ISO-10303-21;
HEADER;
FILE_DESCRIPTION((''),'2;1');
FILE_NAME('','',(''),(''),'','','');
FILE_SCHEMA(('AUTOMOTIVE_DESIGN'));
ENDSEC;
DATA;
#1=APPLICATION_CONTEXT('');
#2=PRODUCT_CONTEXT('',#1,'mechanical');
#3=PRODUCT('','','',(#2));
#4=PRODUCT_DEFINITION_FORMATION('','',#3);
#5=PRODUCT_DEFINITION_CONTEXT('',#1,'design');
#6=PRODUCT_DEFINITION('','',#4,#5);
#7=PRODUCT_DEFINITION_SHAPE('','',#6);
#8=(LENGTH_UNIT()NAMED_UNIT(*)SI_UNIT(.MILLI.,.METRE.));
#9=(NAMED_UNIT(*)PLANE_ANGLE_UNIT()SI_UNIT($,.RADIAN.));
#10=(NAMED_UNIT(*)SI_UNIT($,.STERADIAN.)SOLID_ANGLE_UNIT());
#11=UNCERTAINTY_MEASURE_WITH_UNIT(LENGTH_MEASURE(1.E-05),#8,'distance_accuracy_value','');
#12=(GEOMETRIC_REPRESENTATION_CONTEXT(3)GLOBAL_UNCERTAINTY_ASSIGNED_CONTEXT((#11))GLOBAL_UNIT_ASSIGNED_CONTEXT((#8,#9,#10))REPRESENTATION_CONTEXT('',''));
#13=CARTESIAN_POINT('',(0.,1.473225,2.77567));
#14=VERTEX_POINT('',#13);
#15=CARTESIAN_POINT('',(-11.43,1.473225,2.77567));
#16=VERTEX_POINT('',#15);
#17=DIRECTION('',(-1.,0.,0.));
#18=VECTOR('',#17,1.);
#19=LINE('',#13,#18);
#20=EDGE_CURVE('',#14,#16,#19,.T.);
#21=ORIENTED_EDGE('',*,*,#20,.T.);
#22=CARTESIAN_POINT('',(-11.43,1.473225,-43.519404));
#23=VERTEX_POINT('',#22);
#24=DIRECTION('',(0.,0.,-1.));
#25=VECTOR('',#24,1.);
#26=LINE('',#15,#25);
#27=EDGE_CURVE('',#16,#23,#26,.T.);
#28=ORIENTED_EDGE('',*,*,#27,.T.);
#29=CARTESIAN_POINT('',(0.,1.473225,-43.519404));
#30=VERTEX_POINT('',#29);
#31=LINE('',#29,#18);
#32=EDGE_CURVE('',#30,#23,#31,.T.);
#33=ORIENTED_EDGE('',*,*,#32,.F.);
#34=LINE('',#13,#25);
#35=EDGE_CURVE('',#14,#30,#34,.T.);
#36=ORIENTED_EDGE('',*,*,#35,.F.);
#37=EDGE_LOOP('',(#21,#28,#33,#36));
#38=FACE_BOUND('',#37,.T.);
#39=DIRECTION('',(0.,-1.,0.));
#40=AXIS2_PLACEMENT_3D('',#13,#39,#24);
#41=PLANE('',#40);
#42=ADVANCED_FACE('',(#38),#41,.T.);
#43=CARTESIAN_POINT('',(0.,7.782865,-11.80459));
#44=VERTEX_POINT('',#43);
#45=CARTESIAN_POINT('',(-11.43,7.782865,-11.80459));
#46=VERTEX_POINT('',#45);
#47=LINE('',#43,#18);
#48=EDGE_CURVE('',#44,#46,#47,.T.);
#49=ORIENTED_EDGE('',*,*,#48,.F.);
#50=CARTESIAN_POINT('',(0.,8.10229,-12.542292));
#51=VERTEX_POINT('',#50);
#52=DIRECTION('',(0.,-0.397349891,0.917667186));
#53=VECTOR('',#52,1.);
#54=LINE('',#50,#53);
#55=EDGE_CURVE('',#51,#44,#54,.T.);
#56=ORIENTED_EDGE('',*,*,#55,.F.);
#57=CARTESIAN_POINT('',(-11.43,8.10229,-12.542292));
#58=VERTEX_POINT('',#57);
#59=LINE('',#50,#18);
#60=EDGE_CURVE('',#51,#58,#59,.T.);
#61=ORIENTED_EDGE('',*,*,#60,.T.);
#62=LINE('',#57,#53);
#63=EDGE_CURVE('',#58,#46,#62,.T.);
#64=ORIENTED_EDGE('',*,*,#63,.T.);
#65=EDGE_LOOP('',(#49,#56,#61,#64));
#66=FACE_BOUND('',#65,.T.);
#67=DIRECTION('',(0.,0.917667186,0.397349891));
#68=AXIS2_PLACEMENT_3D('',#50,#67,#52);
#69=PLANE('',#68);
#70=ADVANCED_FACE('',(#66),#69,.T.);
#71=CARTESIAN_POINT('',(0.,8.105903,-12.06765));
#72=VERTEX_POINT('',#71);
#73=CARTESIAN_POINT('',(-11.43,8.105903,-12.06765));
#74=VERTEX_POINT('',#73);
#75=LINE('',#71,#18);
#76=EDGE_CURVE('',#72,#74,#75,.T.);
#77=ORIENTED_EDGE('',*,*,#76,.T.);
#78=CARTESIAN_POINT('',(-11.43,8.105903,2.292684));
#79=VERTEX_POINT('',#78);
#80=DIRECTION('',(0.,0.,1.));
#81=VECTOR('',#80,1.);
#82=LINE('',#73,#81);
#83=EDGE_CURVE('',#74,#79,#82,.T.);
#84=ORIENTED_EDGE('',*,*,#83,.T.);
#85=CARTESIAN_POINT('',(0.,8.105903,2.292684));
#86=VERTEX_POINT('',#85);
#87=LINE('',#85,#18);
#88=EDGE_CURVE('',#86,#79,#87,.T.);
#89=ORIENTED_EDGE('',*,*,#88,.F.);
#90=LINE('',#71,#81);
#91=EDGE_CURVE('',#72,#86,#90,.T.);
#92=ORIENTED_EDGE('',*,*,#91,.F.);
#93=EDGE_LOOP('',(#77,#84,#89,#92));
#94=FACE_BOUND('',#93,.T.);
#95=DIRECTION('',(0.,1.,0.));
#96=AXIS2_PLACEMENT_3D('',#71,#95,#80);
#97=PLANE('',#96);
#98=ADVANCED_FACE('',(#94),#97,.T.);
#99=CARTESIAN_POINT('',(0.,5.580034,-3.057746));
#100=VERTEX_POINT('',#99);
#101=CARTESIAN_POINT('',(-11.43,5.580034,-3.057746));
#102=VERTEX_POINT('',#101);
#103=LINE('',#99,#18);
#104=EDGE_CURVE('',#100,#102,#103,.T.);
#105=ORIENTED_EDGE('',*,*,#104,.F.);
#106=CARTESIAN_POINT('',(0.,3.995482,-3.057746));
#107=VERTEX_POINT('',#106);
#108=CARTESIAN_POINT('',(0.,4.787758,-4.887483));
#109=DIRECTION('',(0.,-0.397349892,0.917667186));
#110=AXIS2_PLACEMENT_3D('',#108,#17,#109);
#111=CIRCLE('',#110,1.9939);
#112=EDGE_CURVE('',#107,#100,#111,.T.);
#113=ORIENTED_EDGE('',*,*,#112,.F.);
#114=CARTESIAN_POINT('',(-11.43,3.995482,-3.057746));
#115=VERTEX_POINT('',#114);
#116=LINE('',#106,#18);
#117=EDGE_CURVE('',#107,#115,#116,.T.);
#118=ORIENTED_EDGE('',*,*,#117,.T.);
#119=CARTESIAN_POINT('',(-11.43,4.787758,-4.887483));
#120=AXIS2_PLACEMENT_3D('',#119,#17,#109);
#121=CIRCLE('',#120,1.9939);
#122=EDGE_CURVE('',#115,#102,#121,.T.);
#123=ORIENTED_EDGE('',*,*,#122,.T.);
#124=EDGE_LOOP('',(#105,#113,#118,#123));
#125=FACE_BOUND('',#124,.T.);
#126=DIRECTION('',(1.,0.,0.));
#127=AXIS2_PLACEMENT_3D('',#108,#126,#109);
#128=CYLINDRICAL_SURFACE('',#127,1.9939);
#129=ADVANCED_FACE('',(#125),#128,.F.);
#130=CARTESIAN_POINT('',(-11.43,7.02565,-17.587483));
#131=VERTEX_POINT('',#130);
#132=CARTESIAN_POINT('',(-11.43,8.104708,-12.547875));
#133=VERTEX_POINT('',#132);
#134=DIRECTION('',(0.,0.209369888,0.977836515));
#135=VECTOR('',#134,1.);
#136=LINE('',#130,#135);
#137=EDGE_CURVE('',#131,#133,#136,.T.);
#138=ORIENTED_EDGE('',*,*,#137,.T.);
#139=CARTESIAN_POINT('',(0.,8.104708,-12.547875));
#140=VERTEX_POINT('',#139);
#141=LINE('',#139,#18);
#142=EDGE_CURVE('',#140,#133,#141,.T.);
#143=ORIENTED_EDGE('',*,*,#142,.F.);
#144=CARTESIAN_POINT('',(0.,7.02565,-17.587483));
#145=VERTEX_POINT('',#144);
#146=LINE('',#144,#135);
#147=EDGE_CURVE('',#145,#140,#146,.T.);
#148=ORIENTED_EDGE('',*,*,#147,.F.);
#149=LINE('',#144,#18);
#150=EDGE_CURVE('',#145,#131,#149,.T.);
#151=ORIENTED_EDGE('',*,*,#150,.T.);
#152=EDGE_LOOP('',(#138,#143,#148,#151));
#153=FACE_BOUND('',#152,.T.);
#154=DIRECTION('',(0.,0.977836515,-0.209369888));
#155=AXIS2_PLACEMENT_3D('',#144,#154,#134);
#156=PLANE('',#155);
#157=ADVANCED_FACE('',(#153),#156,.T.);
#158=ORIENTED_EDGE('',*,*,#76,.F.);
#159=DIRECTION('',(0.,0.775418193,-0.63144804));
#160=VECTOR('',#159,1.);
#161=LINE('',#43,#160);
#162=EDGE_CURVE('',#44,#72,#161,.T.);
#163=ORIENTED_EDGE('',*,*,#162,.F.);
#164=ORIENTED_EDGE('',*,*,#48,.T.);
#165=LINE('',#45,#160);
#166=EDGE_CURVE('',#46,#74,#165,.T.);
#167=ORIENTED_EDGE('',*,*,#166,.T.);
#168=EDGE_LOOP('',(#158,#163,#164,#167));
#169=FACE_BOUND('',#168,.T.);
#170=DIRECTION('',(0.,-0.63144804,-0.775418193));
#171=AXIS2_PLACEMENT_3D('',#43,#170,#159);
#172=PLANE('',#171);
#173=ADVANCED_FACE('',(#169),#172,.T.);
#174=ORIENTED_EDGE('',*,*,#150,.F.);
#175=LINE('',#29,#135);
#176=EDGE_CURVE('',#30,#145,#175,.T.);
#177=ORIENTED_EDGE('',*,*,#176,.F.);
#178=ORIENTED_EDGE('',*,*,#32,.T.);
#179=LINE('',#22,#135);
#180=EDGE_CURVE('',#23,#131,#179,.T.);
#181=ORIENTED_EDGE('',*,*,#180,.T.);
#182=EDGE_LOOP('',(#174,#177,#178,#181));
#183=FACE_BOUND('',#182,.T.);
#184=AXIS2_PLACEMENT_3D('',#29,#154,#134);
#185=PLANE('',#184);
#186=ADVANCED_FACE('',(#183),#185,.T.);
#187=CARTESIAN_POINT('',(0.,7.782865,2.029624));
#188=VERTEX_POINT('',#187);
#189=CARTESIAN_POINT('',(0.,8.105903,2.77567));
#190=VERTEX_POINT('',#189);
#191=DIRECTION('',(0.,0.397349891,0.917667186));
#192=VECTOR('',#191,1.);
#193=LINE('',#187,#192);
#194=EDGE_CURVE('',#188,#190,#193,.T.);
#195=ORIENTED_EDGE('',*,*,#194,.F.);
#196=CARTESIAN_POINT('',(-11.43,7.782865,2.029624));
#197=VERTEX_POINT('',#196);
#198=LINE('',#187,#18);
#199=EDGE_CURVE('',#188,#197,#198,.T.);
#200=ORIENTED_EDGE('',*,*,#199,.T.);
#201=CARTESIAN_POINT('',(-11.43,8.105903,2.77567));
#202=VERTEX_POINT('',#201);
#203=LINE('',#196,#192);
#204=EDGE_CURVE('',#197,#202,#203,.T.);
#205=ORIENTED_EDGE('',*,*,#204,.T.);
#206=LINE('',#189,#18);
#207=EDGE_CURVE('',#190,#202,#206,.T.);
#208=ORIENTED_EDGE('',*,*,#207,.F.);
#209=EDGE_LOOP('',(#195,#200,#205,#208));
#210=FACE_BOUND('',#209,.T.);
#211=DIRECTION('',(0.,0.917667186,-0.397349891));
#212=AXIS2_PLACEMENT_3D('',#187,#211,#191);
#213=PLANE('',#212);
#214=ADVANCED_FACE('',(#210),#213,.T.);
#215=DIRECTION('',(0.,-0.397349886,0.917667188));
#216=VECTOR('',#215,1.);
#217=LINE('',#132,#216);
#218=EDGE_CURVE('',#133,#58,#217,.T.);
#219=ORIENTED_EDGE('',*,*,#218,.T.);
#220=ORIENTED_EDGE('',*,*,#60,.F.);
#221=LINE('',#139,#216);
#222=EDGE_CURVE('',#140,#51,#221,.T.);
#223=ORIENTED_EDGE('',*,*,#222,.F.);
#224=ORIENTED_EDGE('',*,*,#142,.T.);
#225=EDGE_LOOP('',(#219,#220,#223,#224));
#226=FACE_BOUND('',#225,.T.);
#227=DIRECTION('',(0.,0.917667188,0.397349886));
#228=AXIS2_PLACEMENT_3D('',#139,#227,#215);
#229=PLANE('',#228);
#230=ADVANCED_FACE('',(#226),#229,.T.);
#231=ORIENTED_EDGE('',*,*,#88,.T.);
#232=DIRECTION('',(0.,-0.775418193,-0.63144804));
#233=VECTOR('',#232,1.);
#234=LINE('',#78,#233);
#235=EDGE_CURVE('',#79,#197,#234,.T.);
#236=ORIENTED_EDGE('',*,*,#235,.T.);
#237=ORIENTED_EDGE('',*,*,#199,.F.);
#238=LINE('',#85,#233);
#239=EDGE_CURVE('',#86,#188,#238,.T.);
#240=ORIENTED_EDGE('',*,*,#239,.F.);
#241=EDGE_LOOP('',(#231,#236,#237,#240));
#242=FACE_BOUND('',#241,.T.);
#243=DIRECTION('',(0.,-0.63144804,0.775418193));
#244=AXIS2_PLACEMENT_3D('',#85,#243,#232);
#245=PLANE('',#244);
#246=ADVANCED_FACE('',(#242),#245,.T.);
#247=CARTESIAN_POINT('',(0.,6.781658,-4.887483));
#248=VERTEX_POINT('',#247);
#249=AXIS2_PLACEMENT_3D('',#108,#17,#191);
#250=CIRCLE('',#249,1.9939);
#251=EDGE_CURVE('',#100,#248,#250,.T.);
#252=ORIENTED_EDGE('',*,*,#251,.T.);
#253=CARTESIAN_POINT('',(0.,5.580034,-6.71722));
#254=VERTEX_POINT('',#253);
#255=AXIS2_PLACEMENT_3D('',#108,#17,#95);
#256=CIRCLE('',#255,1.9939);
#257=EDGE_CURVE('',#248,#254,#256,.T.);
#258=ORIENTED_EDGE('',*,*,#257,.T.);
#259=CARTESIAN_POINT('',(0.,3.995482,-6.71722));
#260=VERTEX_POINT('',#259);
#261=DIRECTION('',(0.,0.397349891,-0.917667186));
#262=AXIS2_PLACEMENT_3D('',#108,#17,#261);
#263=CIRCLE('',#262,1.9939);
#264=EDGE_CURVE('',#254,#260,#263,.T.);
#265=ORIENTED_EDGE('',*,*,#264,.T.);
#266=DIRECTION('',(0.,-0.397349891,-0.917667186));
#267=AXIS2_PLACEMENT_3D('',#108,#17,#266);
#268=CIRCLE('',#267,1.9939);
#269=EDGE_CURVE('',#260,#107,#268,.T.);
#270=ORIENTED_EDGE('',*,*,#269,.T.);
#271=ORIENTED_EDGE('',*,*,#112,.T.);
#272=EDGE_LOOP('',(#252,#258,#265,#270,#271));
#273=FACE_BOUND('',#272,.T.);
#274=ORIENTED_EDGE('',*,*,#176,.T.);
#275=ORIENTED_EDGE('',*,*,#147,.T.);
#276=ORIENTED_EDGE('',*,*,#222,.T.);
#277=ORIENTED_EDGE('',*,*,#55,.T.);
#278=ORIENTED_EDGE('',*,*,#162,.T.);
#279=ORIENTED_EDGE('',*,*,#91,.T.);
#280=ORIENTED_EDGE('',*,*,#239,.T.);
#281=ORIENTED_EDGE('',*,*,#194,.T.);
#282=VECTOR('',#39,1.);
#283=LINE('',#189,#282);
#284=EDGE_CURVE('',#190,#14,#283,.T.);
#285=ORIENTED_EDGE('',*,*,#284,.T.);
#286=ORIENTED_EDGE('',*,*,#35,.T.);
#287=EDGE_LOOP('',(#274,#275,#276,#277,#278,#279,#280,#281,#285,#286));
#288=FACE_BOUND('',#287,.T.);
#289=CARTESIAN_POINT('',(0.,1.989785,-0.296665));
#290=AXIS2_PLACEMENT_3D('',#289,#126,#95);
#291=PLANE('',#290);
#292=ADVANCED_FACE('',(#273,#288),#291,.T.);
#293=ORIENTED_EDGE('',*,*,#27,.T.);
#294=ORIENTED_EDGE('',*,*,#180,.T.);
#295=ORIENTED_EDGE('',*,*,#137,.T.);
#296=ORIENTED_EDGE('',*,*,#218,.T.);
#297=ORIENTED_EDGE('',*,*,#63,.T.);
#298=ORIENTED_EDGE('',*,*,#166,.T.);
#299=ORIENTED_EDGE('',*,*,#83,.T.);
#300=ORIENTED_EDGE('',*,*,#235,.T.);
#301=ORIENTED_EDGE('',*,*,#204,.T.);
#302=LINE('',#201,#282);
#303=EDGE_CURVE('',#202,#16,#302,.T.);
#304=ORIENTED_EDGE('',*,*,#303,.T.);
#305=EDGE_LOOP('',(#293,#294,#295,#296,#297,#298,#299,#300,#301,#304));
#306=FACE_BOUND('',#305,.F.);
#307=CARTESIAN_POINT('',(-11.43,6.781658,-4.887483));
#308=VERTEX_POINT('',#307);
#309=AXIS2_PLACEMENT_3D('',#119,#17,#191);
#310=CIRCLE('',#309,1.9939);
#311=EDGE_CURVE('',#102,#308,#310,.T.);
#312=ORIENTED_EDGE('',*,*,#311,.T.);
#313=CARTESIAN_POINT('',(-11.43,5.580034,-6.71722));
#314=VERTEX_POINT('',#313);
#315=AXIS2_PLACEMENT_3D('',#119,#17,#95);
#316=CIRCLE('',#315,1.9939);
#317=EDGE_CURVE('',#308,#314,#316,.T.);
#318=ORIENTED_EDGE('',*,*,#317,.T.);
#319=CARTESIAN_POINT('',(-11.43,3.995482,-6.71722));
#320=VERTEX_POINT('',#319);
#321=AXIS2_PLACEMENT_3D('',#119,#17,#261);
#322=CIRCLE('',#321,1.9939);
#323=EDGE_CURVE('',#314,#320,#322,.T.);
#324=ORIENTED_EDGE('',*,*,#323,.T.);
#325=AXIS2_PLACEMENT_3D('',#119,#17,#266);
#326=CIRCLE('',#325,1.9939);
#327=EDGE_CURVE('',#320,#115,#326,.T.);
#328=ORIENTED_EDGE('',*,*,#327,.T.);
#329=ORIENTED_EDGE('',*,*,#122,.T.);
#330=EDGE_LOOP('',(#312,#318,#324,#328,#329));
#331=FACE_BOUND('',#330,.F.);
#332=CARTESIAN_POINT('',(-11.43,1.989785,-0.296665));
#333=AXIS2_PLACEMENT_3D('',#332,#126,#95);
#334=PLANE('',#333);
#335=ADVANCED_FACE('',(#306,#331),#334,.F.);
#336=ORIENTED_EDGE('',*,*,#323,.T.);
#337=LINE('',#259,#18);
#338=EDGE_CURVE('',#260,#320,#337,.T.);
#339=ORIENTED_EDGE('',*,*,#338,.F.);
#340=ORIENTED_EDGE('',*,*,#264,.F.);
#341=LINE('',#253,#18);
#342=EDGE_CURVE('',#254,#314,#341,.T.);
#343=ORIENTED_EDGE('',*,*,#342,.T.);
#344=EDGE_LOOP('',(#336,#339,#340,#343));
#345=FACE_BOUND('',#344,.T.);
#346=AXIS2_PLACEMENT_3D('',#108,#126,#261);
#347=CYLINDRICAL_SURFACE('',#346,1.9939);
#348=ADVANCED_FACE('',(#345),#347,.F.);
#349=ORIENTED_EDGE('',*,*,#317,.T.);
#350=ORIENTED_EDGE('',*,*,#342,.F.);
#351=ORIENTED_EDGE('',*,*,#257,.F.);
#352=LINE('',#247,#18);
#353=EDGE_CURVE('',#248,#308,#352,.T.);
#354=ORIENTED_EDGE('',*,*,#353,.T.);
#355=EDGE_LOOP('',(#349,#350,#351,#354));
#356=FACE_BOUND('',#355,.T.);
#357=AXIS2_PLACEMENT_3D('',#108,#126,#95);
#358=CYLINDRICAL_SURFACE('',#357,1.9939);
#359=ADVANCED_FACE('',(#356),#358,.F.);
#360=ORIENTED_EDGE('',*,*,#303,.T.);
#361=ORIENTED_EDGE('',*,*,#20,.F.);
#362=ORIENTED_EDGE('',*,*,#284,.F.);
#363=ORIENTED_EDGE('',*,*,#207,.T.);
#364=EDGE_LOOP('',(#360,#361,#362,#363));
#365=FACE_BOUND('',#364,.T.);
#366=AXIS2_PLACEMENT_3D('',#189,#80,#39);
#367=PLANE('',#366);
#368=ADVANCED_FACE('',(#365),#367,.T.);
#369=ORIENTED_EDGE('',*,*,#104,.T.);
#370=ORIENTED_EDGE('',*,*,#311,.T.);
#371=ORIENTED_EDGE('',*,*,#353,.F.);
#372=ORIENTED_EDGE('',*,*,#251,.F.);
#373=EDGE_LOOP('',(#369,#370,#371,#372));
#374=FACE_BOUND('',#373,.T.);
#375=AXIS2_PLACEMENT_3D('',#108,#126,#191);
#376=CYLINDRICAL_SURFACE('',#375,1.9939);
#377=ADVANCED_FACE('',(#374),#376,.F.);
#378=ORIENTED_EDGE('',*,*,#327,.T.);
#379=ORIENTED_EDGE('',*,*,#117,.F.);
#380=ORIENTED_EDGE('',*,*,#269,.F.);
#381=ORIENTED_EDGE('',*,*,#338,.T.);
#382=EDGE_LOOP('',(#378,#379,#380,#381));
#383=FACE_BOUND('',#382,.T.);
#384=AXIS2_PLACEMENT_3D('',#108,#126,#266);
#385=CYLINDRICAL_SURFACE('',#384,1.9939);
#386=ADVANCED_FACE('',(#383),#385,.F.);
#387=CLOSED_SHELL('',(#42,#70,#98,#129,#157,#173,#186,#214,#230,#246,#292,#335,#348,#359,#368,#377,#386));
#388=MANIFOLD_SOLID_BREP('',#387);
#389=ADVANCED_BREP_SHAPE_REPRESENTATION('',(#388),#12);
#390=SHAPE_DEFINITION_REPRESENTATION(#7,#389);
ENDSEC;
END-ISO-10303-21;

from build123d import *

# Parameters (mm, degrees)
F1_DEPTH = 11.43


with BuildPart() as f1:
    # F0 (on Right) → F1 (new body)
    with BuildSketch(Plane.YZ):
        Polygon((3.3542175311, -1.5767664933), (1.4732253194, 2.7673263745), (1.4732253194, -3.1085191088), align=None)
        Polygon((7.7828650435, 2.029623989), (8.1059029485, 2.775669959), (1.4732253194, 2.775669959), (1.4732253194, 2.7673263745), (3.3542175311, -1.5767664933), align=None)
        with BuildLine():
            Line((8.1059029485, -12.0676500307), (8.1059029485, 2.2926841722))
            Line((8.1059029485, 2.2926841722), (7.7828650435, 2.029623989))
            Line((7.7828650435, 2.029623989), (5.5800336964, -3.0577463276))
            ThreePointArc((5.5800336964, -3.0577463276), (6.4543945145, -3.7929697506), (6.7816577479, -4.8874829292))
            ThreePointArc((6.7816577479, -4.8874829292), (6.4543945145, -5.9819961078), (5.5800336964, -6.7172195309))
            Line((5.5800336964, -6.7172195309), (7.7828650435, -11.8045898475))
            Line((7.7828650435, -11.8045898475), (8.1059029485, -12.0676500307))
        make_face()
        Polygon((1.4732253194, -12.5422922329), (8.1022901764, -12.5422922329), (7.7828650435, -11.8045898475), (3.3542175311, -8.1981993651), align=None)
        Polygon((3.3542175311, -8.1981993651), (1.4732253194, -6.6664467497), (1.4732253194, -12.5422922329), align=None)
        with BuildLine():
            Line((3.3542175311, -8.1981993651), (7.7828650435, -11.8045898475))
            Line((7.7828650435, -11.8045898475), (5.5800336964, -6.7172195309))
            ThreePointArc((5.5800336964, -6.7172195309), (4.7877577479, -6.8813829292), (3.9954817993, -6.7172195309))
            Line((3.9954817993, -6.7172195309), (3.3542175311, -8.1981993651))
        make_face()
        with BuildLine():
            Line((1.4732253194, -3.1085191088), (1.4732253194, -6.6664467497))
            Line((1.4732253194, -6.6664467497), (3.3542175311, -8.1981993651))
            Line((3.3542175311, -8.1981993651), (3.9954817993, -6.7172195309))
            ThreePointArc((3.9954817993, -6.7172195309), (2.7938577479, -4.8874829292), (3.9954817993, -3.0577463276))
            Line((3.9954817993, -3.0577463276), (3.3542175311, -1.5767664933))
            Line((3.3542175311, -1.5767664933), (1.4732253194, -3.1085191088))
        make_face()
        with BuildLine():
            Line((5.5800336964, -3.0577463276), (7.7828650435, 2.029623989))
            Line((7.7828650435, 2.029623989), (3.3542175311, -1.5767664933))
            Line((3.3542175311, -1.5767664933), (3.9954817993, -3.0577463276))
            ThreePointArc((3.9954817993, -3.0577463276), (4.7877577479, -2.8935829292), (5.5800336964, -3.0577463276))
        make_face()
        Polygon((1.4732253194, -43.5194037855), (7.0256497619, -17.5874829292), (1.4732253194, -17.5874829292), align=None)
        Polygon((1.4732253194, -17.5874829292), (7.0256497619, -17.5874829292), (8.1047075663, -12.5478751196), (8.1022901764, -12.5422922329), (1.4732253194, -12.5422922329), align=None)
    extrude(amount=-F1_DEPTH)


solid = f1.part
